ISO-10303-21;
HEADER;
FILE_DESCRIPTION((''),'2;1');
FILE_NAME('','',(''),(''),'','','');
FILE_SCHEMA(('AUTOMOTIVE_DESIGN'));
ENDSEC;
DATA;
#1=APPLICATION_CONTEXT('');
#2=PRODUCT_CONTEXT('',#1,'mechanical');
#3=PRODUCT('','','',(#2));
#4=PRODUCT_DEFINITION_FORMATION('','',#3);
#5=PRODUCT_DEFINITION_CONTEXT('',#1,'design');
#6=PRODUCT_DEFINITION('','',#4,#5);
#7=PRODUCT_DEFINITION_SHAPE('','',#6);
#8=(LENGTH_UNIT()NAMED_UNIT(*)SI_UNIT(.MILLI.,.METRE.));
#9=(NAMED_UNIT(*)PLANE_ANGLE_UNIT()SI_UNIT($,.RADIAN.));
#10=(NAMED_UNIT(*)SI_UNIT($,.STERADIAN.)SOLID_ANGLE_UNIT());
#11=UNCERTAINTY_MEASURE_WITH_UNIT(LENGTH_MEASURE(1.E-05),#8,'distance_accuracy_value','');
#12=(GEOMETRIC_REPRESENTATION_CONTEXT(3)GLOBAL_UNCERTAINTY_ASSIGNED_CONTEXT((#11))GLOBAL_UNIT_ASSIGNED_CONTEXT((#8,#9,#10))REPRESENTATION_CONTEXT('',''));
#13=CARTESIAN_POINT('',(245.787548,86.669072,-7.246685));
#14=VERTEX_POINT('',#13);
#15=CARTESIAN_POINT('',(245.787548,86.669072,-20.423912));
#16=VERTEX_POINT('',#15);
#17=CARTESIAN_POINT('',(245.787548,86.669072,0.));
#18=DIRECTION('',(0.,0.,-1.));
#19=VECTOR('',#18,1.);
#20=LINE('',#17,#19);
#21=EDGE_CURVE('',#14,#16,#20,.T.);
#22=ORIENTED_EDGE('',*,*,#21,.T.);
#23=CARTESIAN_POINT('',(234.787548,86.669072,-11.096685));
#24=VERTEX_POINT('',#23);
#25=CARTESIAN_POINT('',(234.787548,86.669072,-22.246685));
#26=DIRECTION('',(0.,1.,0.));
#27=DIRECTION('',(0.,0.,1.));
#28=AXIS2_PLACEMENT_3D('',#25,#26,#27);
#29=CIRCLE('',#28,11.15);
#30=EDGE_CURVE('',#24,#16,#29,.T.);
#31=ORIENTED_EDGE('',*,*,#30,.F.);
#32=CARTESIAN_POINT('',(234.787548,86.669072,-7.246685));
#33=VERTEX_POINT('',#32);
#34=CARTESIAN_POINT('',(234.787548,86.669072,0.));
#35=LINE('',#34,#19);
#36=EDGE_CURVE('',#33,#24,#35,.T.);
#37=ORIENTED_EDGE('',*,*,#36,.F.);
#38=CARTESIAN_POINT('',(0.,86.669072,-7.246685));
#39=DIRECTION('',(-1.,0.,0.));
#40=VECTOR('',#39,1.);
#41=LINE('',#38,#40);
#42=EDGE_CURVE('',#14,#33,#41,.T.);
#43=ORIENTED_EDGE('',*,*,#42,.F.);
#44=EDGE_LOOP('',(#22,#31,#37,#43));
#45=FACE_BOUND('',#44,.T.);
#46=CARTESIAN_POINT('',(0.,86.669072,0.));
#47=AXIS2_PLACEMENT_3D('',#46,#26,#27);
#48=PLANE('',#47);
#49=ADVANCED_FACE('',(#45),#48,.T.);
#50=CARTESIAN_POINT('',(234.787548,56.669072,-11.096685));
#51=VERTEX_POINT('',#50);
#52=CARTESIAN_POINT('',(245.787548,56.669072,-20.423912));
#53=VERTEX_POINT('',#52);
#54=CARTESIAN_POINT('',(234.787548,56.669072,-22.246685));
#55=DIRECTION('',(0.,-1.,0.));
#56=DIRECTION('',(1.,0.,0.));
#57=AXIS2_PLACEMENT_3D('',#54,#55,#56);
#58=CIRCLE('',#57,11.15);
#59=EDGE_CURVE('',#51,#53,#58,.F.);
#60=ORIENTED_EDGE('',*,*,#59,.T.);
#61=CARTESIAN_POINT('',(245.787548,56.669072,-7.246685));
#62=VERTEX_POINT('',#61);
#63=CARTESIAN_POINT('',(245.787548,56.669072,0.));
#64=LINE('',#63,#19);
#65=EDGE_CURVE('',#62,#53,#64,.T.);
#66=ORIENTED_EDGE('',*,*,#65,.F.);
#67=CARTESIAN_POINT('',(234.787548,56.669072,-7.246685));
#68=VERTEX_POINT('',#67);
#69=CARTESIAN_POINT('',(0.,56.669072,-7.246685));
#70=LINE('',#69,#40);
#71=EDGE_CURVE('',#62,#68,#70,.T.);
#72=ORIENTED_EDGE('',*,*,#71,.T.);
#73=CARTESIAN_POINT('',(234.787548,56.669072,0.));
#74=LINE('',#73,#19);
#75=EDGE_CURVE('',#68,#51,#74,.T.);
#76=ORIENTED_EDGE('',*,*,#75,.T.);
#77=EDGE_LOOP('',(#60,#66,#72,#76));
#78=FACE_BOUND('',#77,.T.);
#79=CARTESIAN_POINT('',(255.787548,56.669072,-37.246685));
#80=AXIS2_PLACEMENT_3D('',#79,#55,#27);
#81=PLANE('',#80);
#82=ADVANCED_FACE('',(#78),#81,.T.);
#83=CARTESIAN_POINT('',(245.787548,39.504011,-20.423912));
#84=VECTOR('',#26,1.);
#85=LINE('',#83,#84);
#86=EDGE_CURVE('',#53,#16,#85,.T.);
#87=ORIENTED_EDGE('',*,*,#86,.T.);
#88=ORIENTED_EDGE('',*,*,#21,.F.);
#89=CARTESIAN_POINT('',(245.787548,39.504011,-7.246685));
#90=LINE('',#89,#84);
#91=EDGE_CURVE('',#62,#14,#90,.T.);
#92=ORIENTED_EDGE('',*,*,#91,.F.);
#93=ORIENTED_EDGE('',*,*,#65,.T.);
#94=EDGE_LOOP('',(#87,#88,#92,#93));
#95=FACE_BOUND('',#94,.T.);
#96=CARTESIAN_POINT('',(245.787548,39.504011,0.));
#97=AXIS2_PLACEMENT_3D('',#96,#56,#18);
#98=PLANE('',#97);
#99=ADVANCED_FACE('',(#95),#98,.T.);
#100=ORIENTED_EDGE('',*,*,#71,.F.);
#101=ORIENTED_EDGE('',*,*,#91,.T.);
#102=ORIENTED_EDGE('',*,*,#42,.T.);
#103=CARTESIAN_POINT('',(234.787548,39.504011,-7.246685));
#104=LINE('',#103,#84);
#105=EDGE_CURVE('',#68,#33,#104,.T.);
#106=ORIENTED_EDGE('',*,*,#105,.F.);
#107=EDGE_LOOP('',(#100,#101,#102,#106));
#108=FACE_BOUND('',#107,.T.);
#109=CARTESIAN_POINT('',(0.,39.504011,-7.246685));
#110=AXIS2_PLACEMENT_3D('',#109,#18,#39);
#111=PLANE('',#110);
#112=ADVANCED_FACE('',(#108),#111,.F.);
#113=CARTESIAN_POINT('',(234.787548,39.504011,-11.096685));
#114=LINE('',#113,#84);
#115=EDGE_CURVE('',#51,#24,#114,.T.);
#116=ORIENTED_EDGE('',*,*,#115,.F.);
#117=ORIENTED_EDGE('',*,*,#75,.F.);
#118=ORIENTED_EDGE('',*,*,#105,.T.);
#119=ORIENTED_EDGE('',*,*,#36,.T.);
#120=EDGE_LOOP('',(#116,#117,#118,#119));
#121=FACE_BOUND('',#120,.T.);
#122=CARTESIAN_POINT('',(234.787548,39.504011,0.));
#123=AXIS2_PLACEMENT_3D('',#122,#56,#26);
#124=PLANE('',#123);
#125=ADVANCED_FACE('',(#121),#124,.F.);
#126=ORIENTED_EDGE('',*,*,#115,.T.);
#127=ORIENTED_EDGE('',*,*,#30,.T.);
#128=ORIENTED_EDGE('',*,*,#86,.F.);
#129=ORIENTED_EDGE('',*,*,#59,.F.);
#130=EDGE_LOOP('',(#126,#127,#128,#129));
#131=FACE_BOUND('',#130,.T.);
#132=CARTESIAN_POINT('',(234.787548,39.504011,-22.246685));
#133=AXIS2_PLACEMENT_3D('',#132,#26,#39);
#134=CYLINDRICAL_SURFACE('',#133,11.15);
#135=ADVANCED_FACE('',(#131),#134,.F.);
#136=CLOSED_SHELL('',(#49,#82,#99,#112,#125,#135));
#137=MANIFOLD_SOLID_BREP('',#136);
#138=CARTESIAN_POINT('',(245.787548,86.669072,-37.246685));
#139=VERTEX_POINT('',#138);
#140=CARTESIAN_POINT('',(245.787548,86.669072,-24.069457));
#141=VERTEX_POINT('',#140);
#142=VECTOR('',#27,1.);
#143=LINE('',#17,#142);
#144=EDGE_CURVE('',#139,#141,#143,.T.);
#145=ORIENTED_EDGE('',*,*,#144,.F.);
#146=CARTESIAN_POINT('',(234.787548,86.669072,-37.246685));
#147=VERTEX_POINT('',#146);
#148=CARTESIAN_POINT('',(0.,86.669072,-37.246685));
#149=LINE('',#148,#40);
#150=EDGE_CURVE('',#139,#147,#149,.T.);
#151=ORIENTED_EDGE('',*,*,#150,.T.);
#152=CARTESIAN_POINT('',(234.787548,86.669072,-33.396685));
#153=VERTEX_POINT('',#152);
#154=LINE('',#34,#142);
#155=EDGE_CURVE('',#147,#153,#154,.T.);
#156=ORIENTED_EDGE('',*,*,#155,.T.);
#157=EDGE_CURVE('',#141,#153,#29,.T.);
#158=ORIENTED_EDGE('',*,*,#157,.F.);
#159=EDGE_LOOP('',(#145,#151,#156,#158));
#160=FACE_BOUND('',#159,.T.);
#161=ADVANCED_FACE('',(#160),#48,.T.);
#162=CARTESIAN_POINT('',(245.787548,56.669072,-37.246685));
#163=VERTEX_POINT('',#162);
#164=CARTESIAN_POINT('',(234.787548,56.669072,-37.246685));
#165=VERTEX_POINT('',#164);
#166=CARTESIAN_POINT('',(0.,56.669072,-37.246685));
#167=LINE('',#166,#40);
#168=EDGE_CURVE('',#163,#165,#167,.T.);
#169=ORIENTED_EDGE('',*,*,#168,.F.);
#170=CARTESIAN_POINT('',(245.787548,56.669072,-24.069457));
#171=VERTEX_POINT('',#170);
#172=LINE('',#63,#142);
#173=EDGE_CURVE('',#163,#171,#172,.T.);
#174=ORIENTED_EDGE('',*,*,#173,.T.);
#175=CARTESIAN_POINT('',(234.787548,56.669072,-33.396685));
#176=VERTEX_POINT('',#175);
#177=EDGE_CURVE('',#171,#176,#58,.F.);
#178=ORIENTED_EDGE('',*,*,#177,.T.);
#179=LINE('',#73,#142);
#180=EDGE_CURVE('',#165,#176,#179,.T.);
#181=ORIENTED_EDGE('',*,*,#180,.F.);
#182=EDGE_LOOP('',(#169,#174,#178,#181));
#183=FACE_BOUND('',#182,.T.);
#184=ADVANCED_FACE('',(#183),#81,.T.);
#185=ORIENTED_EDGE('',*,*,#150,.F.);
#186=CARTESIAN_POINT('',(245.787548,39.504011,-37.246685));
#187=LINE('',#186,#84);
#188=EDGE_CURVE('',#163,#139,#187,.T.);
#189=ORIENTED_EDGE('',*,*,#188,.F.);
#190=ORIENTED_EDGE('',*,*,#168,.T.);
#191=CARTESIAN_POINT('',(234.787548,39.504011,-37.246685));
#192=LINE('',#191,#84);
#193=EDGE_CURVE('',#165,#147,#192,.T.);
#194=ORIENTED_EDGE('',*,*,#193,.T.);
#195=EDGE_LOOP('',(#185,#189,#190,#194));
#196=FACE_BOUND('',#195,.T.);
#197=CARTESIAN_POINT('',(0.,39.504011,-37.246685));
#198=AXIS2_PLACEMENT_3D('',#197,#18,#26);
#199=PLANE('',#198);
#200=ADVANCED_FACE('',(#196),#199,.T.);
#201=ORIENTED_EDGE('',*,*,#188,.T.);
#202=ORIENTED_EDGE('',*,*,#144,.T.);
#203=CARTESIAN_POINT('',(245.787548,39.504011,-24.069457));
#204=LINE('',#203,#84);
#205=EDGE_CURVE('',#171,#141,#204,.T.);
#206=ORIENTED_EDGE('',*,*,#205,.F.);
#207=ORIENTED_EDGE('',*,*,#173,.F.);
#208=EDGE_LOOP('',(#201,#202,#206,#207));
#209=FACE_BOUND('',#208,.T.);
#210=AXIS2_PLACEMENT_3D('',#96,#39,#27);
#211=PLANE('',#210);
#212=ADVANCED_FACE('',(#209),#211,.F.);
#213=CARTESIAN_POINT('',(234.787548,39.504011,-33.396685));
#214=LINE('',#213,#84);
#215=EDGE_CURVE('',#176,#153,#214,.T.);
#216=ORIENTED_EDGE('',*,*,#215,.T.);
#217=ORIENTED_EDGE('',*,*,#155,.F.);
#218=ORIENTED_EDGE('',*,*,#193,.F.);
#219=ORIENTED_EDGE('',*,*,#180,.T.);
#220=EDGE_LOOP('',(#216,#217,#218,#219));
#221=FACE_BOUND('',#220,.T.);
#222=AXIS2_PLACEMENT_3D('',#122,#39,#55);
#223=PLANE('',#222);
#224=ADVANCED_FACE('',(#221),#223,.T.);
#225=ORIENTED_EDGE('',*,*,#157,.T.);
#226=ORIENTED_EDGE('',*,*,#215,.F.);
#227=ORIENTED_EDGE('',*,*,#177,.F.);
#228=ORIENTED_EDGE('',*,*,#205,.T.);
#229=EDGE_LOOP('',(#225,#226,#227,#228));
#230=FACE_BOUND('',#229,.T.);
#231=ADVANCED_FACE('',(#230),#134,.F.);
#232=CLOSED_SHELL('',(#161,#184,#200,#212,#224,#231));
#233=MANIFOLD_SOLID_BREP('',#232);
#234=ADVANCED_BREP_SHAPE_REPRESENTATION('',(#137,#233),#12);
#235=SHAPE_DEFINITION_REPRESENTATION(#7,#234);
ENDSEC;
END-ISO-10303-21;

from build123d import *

# Parameters (mm, degrees)
BOSS_EXTRUDE1_DEPTH   = 30
BOSS_EXTRUDE1_2_DEPTH = 30


with BuildPart() as part:
    # Sketch1 → Boss-Extrude1 (new body)
    with BuildSketch(Plane(origin=(0, 86.669072122, 0), x_dir=(1, 0, 0), z_dir=(0, 1, 0))):
        with BuildLine():
            Line((234.787548473, 7.246684875), (245.787548473, 7.246684875))
            Line((245.787548473, 7.246684875), (245.787548473, 11.246684875))
            Line((245.787548473, 11.246684875), (245.787548473, 20.423912262))
            ThreePointArc((245.787548473, 20.423912262), (241.99860198, 13.742379652), (234.787548473, 11.096684875))
            Line((234.787548473, 11.096684875), (234.787548473, 7.246684875))
        make_face()
    extrude(amount=-BOSS_EXTRUDE1_DEPTH)


with BuildPart() as body_2:
    # Sketch1 → Boss-Extrude1 2 (new body)
    with BuildSketch(Plane(origin=(0, 86.669072122, 0), x_dir=(1, 0, 0), z_dir=(0, 1, 0))):
        with BuildLine():
            Line((234.787548473, 37.246684875), (234.787548473, 33.396684875))
            ThreePointArc((234.787548473, 33.396684875), (241.99860198, 30.750990098), (245.787548473, 24.069457488))
            Line((245.787548473, 24.069457488), (245.787548473, 33.246684875))
            Line((245.787548473, 33.246684875), (245.787548473, 37.246684875))
            Line((245.787548473, 37.246684875), (234.787548473, 37.246684875))
        make_face()
    extrude(amount=-BOSS_EXTRUDE1_2_DEPTH)


solid = Compound([part.part, body_2.part])
